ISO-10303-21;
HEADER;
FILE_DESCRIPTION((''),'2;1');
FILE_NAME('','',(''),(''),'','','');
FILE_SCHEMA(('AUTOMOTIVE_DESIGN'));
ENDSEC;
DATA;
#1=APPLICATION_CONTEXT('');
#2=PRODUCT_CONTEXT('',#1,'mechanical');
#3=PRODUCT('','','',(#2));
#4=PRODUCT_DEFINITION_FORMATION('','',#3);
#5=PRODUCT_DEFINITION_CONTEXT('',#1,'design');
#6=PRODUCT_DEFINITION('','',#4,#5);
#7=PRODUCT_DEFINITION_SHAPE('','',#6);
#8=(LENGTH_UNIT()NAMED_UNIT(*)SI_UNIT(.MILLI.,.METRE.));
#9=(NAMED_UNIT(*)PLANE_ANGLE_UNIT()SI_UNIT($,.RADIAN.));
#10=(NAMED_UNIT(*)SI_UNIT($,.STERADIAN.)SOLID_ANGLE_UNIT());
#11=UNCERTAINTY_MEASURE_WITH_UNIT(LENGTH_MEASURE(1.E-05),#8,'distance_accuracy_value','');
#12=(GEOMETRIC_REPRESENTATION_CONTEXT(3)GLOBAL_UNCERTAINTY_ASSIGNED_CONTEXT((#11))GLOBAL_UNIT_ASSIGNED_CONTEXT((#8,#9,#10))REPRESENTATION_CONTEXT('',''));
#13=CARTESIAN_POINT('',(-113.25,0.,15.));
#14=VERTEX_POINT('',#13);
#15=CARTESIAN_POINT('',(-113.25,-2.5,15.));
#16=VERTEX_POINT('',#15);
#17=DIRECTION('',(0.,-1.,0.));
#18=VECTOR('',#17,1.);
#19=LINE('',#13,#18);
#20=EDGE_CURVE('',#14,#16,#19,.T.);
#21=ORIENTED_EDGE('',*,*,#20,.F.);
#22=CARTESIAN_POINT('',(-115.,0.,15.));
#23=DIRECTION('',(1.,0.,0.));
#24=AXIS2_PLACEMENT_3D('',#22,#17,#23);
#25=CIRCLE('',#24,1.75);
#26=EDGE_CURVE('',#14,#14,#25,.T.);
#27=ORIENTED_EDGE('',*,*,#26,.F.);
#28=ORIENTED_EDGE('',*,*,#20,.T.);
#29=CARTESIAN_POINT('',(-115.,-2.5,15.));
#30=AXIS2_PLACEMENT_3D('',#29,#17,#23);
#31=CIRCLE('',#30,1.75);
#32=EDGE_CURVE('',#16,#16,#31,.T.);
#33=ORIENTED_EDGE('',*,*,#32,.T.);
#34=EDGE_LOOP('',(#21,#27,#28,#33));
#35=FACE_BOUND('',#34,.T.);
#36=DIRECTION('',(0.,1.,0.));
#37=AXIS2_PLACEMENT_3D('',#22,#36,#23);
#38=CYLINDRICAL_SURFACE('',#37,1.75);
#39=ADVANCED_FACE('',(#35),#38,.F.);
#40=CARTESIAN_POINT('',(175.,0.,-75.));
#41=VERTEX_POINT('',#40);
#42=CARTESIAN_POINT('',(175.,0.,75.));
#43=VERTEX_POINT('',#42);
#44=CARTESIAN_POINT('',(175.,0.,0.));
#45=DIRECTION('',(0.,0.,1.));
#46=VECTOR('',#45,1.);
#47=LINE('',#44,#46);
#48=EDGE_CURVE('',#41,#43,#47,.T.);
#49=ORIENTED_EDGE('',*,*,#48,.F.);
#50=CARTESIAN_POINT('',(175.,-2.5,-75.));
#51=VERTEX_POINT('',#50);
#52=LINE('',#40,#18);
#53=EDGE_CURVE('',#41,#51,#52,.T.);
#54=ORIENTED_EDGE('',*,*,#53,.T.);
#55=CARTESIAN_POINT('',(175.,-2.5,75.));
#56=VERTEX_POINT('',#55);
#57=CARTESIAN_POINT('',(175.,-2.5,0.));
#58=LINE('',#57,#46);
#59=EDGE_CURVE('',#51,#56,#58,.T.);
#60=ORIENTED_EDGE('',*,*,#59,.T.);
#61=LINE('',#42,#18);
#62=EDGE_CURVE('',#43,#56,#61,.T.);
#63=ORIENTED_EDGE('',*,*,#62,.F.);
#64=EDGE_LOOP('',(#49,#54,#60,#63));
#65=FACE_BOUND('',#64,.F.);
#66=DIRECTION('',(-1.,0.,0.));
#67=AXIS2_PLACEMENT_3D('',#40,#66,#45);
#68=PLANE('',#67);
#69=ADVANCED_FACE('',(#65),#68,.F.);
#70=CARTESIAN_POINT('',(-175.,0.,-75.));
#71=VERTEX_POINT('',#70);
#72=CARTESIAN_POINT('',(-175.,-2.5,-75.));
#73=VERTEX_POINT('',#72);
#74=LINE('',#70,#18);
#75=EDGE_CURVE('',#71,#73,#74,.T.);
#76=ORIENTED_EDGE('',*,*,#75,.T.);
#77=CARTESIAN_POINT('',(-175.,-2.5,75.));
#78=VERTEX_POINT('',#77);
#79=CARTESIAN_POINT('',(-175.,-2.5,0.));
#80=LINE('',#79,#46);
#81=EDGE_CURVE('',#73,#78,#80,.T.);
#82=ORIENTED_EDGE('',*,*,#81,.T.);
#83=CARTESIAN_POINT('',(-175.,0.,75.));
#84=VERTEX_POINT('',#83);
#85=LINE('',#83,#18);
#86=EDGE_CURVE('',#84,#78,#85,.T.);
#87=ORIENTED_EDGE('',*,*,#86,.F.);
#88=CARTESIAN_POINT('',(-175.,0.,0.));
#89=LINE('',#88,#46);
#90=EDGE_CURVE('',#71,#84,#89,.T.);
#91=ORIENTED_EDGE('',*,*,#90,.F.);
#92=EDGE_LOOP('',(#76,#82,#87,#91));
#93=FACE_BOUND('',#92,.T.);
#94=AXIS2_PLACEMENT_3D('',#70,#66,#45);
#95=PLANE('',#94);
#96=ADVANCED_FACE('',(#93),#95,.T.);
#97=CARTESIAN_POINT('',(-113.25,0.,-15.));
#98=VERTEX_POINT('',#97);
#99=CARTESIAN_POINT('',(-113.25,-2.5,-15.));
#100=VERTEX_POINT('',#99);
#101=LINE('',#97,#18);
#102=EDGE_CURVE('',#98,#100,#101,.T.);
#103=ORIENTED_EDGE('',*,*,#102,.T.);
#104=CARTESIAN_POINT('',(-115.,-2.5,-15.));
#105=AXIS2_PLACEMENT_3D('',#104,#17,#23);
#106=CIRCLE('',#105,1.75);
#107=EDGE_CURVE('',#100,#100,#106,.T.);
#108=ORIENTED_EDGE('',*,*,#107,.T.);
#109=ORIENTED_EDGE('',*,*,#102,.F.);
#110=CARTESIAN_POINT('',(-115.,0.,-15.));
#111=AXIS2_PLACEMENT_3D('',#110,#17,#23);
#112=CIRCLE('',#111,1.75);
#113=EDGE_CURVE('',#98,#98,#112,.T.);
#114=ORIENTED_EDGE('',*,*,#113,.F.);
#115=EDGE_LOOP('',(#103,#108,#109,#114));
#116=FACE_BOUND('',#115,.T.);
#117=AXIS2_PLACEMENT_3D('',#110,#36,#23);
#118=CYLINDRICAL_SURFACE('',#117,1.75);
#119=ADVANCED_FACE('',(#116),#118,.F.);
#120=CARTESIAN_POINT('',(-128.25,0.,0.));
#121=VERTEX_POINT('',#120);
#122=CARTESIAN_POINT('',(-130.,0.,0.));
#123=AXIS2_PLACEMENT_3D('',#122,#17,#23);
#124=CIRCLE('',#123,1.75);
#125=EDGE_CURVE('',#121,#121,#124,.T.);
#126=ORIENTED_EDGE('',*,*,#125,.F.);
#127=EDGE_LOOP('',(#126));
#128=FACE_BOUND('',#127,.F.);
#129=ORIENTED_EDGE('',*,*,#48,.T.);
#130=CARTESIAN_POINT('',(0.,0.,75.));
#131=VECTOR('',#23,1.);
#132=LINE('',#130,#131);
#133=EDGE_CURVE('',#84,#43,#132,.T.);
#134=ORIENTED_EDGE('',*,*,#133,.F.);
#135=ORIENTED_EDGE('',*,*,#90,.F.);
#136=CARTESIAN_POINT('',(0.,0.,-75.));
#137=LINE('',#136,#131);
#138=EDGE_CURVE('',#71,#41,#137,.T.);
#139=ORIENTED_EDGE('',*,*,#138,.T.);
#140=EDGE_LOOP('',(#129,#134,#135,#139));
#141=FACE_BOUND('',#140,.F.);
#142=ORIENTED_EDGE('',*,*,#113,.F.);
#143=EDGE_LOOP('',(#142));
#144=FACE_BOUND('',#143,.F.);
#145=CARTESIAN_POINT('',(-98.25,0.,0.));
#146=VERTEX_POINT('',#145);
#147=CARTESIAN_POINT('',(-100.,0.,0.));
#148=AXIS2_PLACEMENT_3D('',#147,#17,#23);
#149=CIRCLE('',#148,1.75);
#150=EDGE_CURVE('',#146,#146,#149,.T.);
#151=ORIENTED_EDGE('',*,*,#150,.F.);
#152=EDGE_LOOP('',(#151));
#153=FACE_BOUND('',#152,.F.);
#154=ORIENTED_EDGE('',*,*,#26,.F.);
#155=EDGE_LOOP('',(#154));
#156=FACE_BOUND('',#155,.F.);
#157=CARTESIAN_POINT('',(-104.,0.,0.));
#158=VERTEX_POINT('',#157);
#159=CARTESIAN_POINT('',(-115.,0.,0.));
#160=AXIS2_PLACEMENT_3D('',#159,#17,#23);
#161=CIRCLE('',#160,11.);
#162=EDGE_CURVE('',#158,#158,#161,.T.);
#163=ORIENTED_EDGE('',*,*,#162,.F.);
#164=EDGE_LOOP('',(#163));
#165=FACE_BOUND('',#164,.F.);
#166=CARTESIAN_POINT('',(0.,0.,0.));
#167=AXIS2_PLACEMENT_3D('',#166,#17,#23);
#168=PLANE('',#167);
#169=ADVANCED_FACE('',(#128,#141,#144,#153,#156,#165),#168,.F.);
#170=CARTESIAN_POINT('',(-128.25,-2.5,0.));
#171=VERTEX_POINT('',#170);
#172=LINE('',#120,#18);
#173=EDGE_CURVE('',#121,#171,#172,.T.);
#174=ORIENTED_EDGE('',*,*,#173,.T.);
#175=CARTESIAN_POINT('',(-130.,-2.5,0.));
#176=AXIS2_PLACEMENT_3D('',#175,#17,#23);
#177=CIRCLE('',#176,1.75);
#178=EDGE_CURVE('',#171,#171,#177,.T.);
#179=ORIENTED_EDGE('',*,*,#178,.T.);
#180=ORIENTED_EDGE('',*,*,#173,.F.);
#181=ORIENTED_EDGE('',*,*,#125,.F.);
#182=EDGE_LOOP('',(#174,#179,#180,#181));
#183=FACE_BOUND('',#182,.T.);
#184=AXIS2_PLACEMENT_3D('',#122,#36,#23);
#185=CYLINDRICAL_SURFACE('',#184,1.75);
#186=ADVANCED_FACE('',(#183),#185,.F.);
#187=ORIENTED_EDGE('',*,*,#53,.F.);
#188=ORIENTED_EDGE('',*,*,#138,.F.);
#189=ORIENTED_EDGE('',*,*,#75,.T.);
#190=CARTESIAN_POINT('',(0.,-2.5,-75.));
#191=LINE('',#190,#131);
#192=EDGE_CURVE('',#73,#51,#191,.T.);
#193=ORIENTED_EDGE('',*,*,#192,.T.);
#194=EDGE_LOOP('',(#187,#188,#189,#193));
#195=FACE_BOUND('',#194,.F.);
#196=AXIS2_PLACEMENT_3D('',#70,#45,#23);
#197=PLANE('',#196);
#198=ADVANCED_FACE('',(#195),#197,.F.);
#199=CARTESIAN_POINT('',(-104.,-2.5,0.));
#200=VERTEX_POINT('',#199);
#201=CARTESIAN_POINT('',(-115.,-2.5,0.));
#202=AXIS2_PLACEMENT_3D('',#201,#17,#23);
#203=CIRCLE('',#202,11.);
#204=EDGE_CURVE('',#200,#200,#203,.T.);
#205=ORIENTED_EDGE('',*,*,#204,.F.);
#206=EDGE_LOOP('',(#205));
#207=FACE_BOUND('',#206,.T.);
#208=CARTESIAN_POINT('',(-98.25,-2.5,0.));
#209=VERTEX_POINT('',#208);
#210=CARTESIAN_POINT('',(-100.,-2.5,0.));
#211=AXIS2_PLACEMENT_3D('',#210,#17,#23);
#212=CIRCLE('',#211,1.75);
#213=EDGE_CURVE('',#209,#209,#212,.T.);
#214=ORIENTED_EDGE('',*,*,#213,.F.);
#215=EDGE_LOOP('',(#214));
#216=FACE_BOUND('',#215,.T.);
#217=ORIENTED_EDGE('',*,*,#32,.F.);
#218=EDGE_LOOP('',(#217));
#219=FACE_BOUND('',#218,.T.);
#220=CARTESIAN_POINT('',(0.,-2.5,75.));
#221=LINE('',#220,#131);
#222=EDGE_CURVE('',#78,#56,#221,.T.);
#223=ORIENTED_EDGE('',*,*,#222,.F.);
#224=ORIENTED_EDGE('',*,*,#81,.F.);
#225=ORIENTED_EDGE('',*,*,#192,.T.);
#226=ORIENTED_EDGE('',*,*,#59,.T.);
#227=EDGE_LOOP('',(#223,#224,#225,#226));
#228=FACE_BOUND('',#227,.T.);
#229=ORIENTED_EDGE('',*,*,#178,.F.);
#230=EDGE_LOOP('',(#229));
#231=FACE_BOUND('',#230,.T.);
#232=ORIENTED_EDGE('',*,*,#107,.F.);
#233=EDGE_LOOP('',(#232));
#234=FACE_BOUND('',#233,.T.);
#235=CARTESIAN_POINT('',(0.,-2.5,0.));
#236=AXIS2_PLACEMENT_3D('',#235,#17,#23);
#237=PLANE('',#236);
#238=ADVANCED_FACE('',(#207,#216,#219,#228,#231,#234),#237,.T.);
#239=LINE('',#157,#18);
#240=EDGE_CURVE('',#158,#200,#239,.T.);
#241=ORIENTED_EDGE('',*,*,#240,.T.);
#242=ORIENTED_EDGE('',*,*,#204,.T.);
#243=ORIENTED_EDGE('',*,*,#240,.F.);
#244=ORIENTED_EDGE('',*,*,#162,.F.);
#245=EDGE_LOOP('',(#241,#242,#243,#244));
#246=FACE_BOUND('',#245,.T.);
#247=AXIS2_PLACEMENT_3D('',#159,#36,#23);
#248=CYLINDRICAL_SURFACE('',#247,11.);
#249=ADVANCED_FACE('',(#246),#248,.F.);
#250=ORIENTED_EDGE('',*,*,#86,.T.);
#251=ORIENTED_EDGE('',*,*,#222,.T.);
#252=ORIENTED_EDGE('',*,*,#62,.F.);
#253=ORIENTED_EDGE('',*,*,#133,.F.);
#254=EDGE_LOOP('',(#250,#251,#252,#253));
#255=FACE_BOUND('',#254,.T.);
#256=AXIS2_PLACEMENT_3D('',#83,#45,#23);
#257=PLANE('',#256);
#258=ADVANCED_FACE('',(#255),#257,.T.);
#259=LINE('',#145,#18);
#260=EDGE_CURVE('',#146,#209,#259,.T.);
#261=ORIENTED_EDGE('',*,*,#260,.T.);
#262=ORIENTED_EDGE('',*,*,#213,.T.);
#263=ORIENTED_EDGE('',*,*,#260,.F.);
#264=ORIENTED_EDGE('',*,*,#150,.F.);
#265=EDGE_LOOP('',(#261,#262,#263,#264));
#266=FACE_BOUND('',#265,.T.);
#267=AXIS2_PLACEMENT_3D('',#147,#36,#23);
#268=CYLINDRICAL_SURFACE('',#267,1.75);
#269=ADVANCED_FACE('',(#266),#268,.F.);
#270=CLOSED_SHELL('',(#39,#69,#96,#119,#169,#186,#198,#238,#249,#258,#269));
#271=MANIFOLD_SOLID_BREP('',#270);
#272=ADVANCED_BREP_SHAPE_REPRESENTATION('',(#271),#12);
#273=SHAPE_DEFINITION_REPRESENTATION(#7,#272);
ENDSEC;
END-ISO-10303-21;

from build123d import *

# Parameters (mm, degrees)
F0_W     = 350
F0_H     = 150
F0_R     = 1.75
F0_R_2   = 11
F1_DEPTH = 2.5


with BuildPart() as f1:
    # F0 (on Front) → F1 (new body)
    with BuildSketch(Plane.XZ):
        Rectangle(F0_W, F0_H)
        with Locations((-115, -15)):
            Circle(F0_R, mode=Mode.SUBTRACT)
        with Locations((-130, 0)):
            Circle(F0_R, mode=Mode.SUBTRACT)
        with Locations((-115, 0)):
            Circle(F0_R_2, mode=Mode.SUBTRACT)
        with Locations((-100, 0)):
            Circle(F0_R, mode=Mode.SUBTRACT)
        with Locations((-115, 15)):
            Circle(F0_R, mode=Mode.SUBTRACT)
    extrude(amount=F1_DEPTH)


solid = f1.part
